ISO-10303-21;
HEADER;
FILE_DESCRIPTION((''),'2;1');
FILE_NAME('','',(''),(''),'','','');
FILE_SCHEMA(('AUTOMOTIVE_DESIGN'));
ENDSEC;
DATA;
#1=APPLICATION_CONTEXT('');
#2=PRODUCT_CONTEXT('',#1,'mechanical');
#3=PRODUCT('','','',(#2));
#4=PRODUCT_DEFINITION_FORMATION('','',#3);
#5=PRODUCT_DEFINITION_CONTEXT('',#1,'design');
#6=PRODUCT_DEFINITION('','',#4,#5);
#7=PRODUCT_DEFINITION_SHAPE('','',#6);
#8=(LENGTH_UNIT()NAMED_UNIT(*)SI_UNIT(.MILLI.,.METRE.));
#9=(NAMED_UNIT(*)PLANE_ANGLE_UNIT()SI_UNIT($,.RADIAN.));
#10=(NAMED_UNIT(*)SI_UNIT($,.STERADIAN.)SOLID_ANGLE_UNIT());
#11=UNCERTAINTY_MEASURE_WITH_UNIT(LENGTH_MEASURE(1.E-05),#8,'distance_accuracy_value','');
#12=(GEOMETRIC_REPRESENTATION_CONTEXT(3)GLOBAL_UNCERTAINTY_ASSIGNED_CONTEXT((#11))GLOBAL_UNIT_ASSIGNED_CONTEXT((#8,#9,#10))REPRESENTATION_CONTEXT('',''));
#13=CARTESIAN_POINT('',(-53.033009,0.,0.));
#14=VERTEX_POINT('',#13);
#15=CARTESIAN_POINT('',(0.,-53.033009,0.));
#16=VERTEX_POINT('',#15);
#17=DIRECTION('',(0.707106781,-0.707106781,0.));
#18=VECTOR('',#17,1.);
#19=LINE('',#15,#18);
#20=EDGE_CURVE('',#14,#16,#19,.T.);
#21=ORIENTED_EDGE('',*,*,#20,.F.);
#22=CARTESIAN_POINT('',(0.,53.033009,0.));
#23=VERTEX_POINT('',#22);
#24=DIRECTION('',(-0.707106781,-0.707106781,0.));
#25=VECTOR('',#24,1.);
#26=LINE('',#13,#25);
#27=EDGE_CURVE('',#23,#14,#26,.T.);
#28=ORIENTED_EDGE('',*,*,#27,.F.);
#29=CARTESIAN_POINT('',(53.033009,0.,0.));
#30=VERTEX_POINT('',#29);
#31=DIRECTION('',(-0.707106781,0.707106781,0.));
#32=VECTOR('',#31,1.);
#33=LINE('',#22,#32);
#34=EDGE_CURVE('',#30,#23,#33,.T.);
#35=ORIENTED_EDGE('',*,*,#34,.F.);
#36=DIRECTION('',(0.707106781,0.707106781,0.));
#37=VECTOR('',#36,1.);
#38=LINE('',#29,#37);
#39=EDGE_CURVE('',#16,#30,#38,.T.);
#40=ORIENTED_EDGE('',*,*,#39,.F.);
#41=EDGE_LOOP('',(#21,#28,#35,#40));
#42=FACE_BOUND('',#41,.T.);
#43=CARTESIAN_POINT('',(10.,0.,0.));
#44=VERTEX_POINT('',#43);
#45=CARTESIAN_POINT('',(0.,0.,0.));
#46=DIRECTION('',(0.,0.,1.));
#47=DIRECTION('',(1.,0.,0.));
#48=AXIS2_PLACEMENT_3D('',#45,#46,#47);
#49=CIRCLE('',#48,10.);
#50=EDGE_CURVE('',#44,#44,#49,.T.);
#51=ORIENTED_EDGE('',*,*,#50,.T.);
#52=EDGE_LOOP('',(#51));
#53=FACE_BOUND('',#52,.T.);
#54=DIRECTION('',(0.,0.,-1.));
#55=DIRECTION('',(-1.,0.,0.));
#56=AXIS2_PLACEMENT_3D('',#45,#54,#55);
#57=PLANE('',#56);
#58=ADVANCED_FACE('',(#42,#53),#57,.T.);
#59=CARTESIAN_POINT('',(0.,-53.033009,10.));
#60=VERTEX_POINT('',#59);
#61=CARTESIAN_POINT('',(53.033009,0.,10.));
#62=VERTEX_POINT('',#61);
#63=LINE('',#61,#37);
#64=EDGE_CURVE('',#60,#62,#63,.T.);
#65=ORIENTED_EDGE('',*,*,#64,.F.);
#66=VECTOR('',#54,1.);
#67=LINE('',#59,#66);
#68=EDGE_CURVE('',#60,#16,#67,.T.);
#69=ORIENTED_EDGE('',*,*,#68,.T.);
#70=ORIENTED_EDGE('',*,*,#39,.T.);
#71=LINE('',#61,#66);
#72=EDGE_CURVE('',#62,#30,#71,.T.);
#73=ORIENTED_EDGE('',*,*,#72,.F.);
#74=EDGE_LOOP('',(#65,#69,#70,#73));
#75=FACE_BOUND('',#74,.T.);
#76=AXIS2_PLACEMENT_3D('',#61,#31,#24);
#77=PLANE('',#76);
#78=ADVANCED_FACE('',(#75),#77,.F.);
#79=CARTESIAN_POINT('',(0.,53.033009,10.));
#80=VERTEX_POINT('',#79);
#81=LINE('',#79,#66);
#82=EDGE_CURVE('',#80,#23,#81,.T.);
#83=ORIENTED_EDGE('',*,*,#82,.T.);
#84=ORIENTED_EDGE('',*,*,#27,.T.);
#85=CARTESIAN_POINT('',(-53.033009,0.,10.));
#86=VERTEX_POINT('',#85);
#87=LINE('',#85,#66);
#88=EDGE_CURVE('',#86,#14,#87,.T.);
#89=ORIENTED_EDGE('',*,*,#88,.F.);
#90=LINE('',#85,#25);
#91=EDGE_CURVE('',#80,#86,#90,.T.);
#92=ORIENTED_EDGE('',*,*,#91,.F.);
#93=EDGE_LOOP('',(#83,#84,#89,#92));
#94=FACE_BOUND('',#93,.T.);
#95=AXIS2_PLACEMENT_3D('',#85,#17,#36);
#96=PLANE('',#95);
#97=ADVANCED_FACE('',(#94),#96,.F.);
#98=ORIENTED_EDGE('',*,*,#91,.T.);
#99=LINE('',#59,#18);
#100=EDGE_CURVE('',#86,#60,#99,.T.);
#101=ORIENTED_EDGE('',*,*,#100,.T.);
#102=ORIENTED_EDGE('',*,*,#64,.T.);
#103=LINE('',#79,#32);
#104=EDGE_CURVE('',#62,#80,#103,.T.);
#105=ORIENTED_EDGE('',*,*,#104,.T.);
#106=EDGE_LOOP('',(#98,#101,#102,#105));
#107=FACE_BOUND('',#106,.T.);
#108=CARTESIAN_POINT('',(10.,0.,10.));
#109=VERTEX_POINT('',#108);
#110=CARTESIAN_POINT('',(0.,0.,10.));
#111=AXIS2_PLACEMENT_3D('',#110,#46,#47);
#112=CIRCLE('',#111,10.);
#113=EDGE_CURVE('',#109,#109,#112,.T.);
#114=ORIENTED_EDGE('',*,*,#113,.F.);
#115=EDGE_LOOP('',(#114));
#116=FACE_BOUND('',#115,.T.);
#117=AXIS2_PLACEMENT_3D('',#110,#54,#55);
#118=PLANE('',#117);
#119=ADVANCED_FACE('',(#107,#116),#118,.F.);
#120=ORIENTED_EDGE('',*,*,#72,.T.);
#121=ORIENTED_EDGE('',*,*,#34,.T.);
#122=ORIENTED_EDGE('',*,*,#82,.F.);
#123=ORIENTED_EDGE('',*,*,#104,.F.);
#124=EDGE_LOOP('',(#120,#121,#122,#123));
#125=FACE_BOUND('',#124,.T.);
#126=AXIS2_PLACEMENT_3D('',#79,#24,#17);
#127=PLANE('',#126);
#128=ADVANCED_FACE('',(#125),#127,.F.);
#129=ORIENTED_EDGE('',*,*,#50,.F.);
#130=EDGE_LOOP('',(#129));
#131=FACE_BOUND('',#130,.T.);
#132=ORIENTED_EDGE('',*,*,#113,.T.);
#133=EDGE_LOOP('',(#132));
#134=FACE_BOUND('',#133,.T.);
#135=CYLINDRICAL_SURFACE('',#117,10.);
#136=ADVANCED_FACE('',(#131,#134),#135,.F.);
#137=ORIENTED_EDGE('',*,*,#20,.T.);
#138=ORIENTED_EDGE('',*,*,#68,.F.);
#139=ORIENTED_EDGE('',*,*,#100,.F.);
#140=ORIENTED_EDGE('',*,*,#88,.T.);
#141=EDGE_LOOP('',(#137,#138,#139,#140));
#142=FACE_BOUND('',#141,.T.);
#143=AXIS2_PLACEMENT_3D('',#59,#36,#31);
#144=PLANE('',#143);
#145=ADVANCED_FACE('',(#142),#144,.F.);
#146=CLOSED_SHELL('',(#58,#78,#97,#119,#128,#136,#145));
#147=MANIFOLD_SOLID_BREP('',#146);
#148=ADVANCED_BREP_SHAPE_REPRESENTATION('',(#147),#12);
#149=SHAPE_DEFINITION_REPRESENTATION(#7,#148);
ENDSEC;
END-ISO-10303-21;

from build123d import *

# Parameters (mm, degrees)
CROQUIS1_R              = 10
SALIENTE_EXTRUIR1_DEPTH = 10


with BuildPart() as part:
    # Croquis1 → Saliente-Extruir1 (new body)
    with BuildSketch(Plane.XY):
        Polygon((-53.033008589, 0), (0, 53.033008589), (53.033008589, 0), (0, -53.033008589), align=None)
        Circle(CROQUIS1_R, mode=Mode.SUBTRACT)
    extrude(amount=SALIENTE_EXTRUIR1_DEPTH)


solid = part.part
